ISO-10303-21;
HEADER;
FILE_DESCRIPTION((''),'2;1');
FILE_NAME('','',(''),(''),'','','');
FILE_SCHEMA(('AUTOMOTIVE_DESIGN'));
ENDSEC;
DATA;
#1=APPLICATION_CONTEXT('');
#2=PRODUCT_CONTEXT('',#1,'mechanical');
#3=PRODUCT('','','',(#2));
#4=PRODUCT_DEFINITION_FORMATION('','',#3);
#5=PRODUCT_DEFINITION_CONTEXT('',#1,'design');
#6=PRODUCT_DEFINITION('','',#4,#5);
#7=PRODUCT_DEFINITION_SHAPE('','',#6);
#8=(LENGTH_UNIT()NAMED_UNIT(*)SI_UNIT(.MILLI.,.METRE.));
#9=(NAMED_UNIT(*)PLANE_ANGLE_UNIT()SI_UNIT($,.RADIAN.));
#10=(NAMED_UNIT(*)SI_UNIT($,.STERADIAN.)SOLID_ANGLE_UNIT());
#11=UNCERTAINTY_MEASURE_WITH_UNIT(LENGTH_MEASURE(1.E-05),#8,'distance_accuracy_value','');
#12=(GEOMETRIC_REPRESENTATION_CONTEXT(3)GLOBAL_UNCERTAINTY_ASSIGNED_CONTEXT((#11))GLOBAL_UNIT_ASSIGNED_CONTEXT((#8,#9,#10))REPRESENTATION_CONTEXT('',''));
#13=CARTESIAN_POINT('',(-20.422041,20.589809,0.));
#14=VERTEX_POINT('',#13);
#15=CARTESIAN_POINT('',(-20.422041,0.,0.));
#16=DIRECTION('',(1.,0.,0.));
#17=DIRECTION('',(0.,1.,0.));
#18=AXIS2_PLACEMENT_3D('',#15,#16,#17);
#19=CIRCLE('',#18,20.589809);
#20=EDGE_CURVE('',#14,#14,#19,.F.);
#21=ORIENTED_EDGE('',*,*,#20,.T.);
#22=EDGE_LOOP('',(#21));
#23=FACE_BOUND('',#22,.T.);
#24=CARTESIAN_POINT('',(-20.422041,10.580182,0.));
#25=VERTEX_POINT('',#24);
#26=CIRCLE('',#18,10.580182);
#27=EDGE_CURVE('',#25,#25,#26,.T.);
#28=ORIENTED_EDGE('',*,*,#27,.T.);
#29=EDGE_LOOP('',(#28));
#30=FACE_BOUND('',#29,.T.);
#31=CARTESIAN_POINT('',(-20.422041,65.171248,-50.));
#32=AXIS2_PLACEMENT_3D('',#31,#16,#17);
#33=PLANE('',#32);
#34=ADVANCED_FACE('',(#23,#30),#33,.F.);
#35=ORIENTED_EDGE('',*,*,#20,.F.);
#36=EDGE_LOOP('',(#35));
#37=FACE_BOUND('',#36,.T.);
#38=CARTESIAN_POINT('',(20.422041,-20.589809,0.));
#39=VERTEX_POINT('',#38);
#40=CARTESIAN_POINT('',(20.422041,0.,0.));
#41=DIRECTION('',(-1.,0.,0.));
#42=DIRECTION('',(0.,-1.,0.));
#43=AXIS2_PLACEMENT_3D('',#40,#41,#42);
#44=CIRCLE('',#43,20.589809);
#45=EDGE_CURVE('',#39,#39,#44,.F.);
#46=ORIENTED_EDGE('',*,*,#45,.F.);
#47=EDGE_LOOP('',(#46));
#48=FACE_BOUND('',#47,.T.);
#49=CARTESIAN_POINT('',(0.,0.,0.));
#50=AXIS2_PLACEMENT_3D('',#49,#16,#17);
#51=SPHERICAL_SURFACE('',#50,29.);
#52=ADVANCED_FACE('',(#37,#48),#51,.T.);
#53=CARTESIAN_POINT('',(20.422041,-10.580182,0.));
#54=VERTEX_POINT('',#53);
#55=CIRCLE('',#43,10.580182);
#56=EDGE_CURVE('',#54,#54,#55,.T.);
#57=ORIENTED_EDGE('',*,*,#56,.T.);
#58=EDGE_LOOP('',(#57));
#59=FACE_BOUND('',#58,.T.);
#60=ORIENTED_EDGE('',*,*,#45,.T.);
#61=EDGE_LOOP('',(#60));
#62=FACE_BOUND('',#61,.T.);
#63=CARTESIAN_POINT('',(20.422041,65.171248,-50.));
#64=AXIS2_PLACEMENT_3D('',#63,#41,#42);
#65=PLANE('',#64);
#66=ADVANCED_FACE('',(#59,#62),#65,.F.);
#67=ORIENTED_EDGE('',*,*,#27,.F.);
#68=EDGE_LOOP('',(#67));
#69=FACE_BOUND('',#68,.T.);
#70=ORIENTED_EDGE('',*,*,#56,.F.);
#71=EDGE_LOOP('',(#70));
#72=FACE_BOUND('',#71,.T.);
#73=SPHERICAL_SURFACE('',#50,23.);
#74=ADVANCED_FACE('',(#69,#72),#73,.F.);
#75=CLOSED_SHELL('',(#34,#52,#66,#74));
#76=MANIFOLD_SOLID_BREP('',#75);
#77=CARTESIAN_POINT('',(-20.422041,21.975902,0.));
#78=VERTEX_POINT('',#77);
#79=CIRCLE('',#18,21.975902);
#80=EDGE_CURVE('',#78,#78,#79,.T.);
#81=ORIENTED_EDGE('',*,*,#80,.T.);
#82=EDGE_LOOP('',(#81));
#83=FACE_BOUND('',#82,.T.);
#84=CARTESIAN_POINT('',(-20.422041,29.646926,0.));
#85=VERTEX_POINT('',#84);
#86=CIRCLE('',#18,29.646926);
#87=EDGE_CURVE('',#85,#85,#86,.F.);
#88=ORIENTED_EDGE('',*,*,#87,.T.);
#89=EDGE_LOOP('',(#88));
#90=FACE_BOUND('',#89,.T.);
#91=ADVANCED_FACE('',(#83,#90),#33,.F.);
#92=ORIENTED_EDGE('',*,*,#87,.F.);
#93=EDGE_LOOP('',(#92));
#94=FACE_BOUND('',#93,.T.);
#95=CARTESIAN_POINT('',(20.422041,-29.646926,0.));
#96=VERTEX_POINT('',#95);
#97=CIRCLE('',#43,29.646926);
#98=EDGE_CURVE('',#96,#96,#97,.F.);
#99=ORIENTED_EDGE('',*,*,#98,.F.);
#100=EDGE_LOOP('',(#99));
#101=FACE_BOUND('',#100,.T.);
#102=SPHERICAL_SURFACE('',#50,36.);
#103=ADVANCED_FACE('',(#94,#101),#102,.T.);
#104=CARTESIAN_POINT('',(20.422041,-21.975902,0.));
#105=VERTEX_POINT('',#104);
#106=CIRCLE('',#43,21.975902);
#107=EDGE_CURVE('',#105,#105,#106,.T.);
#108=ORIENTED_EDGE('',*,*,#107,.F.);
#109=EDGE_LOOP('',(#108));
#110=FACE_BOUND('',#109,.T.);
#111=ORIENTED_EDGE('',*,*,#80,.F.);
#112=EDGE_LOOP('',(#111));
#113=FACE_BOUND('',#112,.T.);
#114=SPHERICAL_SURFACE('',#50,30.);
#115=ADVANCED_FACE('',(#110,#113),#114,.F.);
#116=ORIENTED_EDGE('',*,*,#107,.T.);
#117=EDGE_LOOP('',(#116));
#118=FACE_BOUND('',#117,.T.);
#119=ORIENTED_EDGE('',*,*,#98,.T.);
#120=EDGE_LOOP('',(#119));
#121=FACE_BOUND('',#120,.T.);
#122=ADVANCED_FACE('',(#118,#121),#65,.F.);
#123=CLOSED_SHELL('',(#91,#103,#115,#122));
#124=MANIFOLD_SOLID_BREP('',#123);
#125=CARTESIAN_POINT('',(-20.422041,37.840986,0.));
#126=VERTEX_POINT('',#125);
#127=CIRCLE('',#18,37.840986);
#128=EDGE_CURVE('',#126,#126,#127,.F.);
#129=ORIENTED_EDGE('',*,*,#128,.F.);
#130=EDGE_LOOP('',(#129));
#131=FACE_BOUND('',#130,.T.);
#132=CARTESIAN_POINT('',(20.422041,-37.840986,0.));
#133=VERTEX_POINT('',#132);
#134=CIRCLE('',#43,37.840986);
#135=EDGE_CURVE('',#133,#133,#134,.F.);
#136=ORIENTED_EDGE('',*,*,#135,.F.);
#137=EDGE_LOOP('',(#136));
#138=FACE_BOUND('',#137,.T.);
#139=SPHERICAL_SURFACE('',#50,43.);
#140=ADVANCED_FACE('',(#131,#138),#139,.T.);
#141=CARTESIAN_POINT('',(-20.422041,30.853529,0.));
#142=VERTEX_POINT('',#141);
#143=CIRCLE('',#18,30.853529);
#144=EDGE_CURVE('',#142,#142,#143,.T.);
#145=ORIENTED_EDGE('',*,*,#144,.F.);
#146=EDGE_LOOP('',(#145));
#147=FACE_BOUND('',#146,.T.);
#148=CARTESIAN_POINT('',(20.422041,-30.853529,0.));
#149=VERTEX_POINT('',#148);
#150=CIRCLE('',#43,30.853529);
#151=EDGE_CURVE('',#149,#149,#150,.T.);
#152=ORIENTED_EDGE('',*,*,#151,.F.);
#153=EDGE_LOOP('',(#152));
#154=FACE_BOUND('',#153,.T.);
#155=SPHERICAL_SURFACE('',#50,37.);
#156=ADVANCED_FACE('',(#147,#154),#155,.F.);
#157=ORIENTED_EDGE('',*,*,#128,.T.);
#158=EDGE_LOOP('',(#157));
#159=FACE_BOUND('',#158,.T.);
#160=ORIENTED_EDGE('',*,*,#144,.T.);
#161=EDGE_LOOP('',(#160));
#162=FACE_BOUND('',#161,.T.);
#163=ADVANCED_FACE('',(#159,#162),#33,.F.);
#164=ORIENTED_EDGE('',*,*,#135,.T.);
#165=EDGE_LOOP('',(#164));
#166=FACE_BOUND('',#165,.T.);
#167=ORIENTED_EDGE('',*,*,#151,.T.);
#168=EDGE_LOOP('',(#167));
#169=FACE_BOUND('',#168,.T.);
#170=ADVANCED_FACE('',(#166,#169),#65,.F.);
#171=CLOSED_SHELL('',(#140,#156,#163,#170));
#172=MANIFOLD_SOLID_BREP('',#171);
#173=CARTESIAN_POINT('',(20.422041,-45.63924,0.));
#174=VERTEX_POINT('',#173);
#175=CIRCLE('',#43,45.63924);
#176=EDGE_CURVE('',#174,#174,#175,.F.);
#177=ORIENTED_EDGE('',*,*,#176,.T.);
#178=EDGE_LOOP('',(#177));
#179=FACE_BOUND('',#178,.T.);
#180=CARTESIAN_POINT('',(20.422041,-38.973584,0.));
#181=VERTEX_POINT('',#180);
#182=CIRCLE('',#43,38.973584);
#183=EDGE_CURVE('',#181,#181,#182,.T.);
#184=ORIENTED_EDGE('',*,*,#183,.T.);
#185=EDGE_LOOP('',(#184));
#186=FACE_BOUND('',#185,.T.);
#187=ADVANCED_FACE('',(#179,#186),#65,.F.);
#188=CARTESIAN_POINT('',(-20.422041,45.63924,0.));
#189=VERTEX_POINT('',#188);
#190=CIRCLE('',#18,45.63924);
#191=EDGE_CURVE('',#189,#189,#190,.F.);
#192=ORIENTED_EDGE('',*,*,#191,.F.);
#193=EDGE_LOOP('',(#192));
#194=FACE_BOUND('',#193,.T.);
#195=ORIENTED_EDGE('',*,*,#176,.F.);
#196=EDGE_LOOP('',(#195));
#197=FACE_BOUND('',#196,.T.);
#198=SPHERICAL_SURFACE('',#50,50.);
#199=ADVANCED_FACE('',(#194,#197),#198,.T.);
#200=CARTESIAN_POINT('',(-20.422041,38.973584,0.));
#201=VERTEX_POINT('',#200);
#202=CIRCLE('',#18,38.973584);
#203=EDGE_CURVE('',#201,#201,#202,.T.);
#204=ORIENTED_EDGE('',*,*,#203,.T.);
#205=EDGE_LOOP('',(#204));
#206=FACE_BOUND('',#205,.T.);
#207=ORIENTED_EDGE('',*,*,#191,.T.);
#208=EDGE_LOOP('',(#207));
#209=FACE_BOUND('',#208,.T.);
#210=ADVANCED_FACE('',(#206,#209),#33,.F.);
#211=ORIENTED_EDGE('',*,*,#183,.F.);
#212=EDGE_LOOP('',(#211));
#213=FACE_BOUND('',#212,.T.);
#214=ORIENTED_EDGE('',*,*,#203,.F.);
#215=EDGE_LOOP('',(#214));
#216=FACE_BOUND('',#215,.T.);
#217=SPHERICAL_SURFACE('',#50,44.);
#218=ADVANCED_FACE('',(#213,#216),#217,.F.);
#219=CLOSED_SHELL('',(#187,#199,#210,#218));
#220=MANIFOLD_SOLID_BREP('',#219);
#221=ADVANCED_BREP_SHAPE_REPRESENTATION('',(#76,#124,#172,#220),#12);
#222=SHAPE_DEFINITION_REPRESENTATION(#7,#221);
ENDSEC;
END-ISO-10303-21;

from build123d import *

# Parameters (mm, degrees)
CUT_EXTRUDE5_DEPTH      = 87.602540378
CUT_EXTRUDE5_DEPTH_BACK = 87.602540378
SKETCH4_W               = 43.620255922
SKETCH4_H               = 120.900361544


with BuildPart() as part:
    # Sketch1 → Revolve1 (revolve)
    with BuildSketch(Plane.XY):
        with BuildLine():
            Line((0, 50), (0, 44))
            ThreePointArc((0, 44), (-44, 0), (0, -44))
            Line((0, -44), (0, -50))
            ThreePointArc((0, -50), (-50, 0), (0, 50))
        make_face()
        with BuildLine():
            Line((0, 43), (0, 37))
            ThreePointArc((0, 37), (-37, 0), (0, -37))
            Line((0, -37), (0, -43))
            ThreePointArc((0, -43), (-43, 0), (0, 43))
        make_face()
        with BuildLine():
            Line((0, 36), (0, 30))
            ThreePointArc((0, 30), (-30, 0), (0, -30))
            Line((0, -30), (0, -36))
            ThreePointArc((0, -36), (-36, 0), (0, 36))
        make_face()
        with BuildLine():
            Line((0, 29), (0, 23))
            ThreePointArc((0, 23), (-23, 0), (0, -23))
            Line((0, -23), (0, -29))
            ThreePointArc((0, -29), (-29, 0), (0, 29))
        make_face()
    revolve(axis=Axis((0, 60.113299862, 0), (0, -1, 0)))

    # Sketch4 → Cut-Extrude5 (cut, two sides: drawn at the far end of the back side and taken through both)
    with BuildSketch(Plane.XY.offset(-CUT_EXTRUDE5_DEPTH_BACK)):
        with Locations((-42.232168816, 4.72106675)):
            Rectangle(SKETCH4_W, SKETCH4_H)
        with Locations((42.232168816, 4.72106675)):
            Rectangle(SKETCH4_W, SKETCH4_H)
    extrude(amount=CUT_EXTRUDE5_DEPTH + CUT_EXTRUDE5_DEPTH_BACK, mode=Mode.SUBTRACT)


solid = part.part
